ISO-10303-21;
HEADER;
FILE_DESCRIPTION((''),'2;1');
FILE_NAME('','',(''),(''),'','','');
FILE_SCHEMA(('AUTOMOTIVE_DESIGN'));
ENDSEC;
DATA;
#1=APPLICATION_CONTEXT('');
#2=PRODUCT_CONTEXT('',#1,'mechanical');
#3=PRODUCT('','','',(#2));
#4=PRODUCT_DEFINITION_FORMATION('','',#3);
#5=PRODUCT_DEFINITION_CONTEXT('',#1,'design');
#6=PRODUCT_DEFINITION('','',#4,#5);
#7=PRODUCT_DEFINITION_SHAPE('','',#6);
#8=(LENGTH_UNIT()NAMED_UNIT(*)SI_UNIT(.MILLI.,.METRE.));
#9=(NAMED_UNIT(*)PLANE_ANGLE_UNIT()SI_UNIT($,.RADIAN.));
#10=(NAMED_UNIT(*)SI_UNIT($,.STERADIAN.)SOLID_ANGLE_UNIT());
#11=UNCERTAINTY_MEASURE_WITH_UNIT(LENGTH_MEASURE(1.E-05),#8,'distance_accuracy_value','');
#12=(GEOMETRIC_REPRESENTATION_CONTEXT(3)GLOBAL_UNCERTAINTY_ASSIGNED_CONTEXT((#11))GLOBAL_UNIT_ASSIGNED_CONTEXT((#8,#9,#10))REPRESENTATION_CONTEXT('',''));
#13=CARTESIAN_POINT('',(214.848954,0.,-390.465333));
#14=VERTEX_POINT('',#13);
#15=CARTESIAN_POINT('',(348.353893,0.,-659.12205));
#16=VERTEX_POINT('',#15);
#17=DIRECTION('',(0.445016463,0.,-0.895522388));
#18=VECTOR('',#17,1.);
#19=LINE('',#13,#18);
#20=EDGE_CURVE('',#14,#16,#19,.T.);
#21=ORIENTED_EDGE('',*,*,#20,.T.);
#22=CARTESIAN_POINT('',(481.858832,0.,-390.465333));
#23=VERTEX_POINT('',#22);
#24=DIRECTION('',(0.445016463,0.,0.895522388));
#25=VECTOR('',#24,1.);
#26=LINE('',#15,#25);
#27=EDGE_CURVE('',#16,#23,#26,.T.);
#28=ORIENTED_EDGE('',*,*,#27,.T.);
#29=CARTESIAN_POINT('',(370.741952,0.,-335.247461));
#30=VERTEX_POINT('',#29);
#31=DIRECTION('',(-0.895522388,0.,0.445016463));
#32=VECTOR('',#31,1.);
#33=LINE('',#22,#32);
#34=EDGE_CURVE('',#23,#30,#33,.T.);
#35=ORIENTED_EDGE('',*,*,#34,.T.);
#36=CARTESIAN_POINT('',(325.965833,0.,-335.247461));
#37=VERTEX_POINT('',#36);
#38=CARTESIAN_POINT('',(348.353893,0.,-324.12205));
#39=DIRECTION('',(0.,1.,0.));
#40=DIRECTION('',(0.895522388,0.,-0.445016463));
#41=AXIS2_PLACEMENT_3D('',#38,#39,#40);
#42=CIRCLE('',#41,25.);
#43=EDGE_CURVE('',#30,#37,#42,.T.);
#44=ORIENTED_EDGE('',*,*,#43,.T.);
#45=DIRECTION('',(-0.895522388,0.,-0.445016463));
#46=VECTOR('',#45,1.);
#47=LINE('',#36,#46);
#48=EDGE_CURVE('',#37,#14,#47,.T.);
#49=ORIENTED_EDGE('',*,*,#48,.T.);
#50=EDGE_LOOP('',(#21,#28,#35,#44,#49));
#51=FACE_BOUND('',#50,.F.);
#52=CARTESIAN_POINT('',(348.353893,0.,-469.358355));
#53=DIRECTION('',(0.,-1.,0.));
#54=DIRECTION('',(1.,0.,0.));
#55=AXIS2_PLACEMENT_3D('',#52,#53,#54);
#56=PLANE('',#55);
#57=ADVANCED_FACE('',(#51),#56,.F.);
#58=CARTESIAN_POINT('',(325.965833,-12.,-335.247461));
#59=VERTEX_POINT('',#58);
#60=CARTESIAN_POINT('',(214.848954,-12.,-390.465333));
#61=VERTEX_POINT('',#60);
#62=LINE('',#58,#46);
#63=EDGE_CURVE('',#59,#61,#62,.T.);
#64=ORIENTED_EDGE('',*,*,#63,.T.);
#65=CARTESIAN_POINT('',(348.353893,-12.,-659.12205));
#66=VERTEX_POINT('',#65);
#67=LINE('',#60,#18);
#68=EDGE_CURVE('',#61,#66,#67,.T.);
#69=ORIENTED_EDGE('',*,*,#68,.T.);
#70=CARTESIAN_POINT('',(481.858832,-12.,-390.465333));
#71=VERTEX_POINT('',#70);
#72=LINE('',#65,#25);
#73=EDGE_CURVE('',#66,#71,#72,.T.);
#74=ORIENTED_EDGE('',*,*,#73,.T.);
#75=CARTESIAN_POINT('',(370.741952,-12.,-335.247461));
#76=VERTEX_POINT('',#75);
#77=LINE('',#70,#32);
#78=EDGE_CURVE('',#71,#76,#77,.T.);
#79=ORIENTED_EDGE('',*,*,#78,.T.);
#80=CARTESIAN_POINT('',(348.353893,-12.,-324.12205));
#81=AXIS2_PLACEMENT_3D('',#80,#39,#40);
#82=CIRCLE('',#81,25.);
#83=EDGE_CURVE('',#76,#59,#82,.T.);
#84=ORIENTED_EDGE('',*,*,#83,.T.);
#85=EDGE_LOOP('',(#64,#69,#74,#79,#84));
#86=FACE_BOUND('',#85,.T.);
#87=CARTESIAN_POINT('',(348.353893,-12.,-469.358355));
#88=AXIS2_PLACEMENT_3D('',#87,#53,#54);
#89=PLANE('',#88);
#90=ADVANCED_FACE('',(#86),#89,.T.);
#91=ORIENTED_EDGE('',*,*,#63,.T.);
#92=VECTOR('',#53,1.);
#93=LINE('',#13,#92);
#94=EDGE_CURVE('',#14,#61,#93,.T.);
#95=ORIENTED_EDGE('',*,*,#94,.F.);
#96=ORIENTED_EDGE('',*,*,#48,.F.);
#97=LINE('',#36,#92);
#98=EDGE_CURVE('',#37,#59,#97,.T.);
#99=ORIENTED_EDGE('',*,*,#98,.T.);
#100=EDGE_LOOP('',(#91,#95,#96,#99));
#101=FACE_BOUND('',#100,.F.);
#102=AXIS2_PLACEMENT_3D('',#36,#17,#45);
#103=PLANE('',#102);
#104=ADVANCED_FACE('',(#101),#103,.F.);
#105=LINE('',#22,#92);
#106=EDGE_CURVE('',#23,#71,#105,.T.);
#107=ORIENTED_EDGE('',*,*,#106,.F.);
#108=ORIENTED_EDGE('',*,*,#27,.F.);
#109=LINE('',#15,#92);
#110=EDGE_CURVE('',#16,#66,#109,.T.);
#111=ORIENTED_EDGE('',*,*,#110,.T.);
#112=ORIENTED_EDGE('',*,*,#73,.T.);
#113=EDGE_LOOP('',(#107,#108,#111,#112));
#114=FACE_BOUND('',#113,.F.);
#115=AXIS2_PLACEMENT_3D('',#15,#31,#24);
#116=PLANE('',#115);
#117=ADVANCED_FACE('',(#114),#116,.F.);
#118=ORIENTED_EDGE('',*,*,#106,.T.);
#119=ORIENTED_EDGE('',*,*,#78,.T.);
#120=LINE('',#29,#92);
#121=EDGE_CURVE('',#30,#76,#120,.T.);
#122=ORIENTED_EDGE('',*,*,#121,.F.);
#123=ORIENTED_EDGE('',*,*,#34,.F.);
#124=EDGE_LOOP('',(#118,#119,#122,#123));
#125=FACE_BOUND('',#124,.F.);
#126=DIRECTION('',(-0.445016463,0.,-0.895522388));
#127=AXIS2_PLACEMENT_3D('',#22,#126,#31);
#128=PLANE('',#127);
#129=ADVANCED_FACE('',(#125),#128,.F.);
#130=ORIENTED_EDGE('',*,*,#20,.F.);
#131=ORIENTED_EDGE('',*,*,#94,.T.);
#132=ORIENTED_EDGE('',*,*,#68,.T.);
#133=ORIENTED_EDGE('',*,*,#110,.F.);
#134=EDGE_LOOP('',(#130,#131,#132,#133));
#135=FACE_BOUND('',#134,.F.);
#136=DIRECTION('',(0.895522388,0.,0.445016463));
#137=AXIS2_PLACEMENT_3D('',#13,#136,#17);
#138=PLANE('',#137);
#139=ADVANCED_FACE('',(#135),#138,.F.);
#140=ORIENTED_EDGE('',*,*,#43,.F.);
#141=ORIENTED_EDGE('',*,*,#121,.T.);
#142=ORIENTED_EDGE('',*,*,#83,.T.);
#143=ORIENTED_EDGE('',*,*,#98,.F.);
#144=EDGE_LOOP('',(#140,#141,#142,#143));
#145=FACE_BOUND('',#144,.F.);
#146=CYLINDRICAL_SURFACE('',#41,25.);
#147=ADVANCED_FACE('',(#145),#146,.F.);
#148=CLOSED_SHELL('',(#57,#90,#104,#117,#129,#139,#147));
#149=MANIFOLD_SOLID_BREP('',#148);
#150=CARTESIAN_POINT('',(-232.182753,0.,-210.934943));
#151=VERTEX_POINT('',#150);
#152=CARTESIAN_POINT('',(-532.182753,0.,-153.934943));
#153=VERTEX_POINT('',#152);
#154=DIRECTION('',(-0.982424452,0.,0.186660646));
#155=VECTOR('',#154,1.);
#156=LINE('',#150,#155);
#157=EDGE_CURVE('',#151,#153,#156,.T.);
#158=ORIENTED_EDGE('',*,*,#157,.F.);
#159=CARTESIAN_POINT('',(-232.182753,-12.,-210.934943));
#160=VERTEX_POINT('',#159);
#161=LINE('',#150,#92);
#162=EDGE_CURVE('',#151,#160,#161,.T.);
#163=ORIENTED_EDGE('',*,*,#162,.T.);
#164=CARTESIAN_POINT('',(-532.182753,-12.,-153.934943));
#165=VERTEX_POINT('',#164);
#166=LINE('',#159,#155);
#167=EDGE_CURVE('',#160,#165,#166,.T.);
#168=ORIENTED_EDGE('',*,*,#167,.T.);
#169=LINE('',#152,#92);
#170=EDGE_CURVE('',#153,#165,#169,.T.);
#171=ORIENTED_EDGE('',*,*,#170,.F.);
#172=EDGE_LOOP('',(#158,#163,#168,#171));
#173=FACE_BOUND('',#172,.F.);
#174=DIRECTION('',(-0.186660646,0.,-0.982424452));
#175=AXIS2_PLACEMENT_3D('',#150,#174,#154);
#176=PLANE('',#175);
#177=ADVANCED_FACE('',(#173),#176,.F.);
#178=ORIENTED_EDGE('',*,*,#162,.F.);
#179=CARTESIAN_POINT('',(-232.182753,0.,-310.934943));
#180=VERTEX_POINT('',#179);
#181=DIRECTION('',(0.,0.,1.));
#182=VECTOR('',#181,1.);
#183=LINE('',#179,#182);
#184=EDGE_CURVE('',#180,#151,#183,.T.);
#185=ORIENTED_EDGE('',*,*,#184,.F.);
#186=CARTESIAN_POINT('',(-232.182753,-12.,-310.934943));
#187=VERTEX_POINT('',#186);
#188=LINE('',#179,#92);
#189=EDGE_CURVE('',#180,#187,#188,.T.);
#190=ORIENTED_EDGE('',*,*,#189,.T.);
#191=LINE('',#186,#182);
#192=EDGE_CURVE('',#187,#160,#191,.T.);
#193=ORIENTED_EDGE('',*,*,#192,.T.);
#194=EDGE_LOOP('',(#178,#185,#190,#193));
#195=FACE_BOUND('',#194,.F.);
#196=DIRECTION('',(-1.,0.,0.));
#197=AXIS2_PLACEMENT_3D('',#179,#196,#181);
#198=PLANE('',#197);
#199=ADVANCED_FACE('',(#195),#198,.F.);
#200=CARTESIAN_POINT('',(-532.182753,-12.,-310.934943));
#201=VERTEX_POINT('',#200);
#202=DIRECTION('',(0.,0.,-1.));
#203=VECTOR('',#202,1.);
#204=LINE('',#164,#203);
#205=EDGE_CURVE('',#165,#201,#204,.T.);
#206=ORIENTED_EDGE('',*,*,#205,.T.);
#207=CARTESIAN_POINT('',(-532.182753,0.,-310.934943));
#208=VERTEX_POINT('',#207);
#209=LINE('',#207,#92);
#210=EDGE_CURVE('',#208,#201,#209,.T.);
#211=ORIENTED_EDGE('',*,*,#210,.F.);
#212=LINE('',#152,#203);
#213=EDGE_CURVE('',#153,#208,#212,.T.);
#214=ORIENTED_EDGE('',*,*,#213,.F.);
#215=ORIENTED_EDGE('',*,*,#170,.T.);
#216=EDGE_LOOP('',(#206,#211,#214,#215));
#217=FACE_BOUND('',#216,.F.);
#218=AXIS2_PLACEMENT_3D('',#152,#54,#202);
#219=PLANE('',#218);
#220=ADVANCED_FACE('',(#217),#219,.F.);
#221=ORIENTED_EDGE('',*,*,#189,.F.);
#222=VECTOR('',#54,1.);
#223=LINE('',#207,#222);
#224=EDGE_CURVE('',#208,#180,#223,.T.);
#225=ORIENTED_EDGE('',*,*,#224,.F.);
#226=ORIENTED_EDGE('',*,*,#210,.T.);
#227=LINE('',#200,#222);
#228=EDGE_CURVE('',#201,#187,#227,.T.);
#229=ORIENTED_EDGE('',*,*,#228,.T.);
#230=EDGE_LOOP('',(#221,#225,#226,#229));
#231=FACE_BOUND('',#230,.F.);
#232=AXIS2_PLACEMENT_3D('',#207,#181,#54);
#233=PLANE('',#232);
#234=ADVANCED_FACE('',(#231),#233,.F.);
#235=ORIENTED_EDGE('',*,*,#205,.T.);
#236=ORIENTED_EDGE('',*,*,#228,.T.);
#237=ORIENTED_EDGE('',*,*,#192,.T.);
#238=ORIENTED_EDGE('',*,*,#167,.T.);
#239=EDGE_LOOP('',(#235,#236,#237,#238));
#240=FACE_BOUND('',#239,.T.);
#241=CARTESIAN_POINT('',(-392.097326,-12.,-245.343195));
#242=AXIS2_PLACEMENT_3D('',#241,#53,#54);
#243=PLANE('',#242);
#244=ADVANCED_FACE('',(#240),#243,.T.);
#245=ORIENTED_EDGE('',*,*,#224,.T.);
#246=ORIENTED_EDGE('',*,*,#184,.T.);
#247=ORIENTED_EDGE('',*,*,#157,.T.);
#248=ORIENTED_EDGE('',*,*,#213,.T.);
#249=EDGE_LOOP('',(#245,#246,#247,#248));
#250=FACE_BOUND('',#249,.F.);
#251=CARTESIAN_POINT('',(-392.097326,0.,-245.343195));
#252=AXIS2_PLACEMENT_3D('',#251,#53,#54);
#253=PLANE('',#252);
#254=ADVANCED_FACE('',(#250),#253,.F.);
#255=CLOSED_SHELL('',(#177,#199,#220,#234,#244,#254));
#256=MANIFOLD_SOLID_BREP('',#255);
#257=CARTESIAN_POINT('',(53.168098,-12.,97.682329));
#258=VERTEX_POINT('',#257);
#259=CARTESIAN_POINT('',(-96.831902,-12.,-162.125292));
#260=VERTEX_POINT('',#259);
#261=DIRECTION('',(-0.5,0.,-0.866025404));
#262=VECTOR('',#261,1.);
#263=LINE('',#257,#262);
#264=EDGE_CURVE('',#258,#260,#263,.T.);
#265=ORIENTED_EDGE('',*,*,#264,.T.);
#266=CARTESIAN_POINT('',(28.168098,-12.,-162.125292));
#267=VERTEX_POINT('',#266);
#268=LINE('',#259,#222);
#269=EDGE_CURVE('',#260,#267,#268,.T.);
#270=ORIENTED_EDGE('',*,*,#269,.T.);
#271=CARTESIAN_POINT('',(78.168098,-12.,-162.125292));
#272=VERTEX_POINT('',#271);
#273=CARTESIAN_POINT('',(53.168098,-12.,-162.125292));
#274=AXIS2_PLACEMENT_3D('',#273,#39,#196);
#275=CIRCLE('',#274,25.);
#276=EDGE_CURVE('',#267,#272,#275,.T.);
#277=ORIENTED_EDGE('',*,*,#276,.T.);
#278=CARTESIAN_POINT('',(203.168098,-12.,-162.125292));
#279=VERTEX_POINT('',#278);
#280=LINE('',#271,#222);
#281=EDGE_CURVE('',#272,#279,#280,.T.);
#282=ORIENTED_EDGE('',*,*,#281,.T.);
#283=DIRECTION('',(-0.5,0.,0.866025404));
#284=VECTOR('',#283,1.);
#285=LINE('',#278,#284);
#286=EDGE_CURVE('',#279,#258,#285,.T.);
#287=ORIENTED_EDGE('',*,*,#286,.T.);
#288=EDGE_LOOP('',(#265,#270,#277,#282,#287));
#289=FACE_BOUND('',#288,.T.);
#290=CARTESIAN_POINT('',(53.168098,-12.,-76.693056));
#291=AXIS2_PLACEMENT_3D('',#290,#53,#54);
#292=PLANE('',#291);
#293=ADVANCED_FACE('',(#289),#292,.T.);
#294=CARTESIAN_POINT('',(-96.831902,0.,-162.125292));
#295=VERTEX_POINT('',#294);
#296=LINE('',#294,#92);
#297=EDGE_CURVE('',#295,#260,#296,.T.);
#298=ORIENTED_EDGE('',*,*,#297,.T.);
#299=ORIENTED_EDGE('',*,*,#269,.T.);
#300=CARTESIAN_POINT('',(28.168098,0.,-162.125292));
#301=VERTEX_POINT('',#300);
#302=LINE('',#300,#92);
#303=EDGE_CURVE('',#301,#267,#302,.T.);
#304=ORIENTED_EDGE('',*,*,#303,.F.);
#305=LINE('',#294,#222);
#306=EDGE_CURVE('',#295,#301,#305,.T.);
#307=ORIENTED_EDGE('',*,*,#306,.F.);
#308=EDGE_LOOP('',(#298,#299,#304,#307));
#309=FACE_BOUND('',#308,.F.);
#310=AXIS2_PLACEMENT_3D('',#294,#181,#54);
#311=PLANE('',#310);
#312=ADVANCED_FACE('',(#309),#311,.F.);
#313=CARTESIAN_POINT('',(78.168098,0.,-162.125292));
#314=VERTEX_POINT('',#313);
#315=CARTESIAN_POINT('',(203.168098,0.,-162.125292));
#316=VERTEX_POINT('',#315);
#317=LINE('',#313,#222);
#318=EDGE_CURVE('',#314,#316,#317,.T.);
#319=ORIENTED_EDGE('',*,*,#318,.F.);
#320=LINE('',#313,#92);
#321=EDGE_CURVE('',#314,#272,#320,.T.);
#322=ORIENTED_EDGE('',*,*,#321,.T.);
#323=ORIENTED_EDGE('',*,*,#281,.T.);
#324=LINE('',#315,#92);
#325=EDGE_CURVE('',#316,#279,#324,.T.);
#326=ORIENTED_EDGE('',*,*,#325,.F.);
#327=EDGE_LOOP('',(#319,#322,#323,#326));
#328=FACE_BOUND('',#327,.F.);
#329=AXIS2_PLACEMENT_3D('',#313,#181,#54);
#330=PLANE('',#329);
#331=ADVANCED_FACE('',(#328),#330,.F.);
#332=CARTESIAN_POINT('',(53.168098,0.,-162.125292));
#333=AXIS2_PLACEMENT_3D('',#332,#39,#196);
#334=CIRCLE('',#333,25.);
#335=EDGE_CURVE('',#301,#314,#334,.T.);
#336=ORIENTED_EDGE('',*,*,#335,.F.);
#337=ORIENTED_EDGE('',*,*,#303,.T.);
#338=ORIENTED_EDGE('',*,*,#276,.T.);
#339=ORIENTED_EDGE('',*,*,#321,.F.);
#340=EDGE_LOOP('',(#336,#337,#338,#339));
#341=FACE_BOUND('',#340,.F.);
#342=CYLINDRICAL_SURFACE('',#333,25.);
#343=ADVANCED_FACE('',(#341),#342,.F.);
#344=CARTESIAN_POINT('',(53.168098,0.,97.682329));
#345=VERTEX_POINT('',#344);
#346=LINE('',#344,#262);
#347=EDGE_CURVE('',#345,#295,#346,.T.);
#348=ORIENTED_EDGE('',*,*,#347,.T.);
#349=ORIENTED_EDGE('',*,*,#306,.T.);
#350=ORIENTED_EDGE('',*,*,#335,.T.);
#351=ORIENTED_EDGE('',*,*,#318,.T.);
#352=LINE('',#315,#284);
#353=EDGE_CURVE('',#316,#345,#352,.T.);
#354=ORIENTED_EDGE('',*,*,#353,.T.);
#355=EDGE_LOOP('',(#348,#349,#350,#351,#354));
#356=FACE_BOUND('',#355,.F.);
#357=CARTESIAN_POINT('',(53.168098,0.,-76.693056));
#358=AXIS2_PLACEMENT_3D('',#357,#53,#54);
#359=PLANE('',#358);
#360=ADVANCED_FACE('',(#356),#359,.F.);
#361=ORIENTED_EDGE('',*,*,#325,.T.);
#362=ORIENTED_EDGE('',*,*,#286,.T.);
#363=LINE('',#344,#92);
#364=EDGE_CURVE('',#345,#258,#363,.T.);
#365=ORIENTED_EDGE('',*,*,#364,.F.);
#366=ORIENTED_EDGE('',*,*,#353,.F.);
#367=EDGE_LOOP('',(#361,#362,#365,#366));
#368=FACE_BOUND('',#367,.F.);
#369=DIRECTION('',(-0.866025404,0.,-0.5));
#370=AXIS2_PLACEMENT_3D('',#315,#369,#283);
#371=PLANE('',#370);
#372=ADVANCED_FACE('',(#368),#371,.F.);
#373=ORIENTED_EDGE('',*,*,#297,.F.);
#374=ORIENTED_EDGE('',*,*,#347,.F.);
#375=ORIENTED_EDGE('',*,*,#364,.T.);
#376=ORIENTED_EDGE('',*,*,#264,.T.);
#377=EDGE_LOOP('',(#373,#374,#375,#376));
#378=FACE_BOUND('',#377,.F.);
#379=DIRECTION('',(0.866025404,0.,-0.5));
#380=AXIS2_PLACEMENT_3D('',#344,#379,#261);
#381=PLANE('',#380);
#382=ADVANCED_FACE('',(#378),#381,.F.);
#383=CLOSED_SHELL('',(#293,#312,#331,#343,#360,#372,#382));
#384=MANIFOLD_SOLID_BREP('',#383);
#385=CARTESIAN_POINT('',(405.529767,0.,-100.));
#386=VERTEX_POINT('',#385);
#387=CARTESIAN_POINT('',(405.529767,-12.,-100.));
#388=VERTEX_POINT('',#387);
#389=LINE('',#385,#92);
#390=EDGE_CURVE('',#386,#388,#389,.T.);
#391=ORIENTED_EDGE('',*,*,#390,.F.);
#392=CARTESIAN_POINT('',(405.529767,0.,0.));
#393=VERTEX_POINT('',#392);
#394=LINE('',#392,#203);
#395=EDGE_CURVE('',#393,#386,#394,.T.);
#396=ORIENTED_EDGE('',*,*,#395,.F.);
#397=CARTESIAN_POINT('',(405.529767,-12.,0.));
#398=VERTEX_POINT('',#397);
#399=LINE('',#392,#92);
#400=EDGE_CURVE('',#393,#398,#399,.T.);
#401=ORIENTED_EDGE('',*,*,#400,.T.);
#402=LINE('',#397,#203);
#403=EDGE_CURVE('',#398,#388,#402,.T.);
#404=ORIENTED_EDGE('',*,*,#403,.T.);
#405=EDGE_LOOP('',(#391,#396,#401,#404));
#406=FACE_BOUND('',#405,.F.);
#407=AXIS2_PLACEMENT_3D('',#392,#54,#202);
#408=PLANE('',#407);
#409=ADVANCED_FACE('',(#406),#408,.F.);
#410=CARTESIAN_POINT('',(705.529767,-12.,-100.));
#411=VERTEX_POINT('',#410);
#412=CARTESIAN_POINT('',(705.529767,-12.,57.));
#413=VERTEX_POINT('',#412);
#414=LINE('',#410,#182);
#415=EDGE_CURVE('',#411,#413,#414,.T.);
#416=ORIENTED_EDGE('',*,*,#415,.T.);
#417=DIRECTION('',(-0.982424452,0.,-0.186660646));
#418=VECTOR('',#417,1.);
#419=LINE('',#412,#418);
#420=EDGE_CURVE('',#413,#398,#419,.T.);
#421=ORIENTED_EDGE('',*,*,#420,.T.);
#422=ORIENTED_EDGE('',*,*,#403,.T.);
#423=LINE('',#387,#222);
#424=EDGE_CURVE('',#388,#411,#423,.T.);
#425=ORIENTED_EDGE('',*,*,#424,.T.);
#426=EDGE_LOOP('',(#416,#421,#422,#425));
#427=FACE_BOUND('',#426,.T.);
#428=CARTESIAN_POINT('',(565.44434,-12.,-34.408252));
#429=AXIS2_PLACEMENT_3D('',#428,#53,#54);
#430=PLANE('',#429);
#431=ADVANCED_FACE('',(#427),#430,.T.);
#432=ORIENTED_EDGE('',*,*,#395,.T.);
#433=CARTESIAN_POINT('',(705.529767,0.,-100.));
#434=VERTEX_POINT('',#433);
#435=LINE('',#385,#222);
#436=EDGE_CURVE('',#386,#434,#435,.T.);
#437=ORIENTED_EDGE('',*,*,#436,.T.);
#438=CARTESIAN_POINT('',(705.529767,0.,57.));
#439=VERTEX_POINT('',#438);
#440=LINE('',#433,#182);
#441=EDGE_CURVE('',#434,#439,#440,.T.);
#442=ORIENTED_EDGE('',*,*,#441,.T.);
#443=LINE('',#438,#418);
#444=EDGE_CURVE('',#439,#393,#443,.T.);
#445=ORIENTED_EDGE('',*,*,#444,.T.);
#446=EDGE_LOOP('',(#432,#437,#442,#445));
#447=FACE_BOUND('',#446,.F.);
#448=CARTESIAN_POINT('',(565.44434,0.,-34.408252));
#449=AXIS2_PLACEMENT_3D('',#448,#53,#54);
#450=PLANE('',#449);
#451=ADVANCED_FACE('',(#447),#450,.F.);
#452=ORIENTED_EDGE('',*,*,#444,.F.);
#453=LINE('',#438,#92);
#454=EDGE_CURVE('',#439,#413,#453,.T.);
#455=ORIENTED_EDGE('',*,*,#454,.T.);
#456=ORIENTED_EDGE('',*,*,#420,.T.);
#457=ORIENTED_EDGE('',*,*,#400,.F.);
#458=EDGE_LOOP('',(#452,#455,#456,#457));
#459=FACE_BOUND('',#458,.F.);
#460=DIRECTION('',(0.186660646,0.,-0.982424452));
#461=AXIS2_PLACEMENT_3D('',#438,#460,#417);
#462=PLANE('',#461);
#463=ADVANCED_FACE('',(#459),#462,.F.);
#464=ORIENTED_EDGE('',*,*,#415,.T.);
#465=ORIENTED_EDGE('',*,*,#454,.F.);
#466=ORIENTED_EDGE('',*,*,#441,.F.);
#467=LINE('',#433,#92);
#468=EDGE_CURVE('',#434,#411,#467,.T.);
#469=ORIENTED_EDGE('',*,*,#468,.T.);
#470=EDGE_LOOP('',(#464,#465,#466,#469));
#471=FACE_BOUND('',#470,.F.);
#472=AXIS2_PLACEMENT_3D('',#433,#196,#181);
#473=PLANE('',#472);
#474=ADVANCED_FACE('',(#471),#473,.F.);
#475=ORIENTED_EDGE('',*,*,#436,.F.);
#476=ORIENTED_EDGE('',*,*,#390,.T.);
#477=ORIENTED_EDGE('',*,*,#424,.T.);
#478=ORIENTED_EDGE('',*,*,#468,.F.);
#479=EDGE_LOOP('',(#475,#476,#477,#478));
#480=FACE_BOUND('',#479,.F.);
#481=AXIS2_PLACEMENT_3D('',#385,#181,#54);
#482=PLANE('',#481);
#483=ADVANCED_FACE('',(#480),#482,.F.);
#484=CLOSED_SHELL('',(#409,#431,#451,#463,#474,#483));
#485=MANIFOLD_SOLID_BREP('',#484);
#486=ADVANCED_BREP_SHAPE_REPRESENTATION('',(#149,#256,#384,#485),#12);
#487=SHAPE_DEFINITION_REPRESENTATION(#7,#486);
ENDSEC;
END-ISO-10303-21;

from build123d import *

# Parameters (mm, degrees)
F1_DEPTH = 12


with BuildPart() as f1:
    # F0 (on Front) → F1 (new body)
    with BuildSketch(Plane.XZ):
        with BuildLine():
            Line((214.8489536166, -390.4653333906), (348.3538925648, -659.1220498085))
            Line((348.3538925648, -659.1220498085), (481.8588315129, -390.4653333906))
            Line((481.8588315129, -390.4653333906), (370.7419522663, -335.2474613875))
            ThreePointArc((370.7419522663, -335.2474613875), (348.3538925648, -349.1220498085), (325.9658328633, -335.2474613875))
            Line((325.9658328633, -335.2474613875), (214.8489536166, -390.4653333906))
        make_face()
    extrude(amount=F1_DEPTH)


with BuildPart() as f1b:
    # F0 (on Front) → F1, piece 2 (new body)
    with BuildSketch(Plane.XZ):
        with BuildLine():
            ThreePointArc((28.1680982371, -162.1252919122), (53.1680982371, -137.1252919122), (78.1680982371, -162.1252919122))
            Line((78.1680982371, -162.1252919122), (203.1680982371, -162.1252919122))
            Line((203.1680982371, -162.1252919122), (53.1680982371, 97.6823292231))
            Line((53.1680982371, 97.6823292231), (-96.8319017629, -162.1252919122))
            Line((-96.8319017629, -162.1252919122), (28.1680982371, -162.1252919122))
        make_face()
    extrude(amount=F1_DEPTH)


with BuildPart() as f1c:
    # F0 (on Front) → F1, piece 3 (new body)
    with BuildSketch(Plane.XZ):
        Polygon((705.5297672749, 57), (405.5297672749, 0), (405.5297672749, -100), (705.5297672749, -100), align=None)
    extrude(amount=F1_DEPTH)


with BuildPart() as f1d:
    # F0 (on Front) → F1, piece 4 (new body)
    with BuildSketch(Plane.XZ):
        Polygon((-532.1827530861, -153.9349433431), (-532.1827530861, -310.9349433431), (-232.1827530861, -310.9349433431), (-232.1827530861, -210.9349433431), align=None)
    extrude(amount=F1_DEPTH)


solid = Compound([f1.part, f1b.part, f1c.part, f1d.part])
